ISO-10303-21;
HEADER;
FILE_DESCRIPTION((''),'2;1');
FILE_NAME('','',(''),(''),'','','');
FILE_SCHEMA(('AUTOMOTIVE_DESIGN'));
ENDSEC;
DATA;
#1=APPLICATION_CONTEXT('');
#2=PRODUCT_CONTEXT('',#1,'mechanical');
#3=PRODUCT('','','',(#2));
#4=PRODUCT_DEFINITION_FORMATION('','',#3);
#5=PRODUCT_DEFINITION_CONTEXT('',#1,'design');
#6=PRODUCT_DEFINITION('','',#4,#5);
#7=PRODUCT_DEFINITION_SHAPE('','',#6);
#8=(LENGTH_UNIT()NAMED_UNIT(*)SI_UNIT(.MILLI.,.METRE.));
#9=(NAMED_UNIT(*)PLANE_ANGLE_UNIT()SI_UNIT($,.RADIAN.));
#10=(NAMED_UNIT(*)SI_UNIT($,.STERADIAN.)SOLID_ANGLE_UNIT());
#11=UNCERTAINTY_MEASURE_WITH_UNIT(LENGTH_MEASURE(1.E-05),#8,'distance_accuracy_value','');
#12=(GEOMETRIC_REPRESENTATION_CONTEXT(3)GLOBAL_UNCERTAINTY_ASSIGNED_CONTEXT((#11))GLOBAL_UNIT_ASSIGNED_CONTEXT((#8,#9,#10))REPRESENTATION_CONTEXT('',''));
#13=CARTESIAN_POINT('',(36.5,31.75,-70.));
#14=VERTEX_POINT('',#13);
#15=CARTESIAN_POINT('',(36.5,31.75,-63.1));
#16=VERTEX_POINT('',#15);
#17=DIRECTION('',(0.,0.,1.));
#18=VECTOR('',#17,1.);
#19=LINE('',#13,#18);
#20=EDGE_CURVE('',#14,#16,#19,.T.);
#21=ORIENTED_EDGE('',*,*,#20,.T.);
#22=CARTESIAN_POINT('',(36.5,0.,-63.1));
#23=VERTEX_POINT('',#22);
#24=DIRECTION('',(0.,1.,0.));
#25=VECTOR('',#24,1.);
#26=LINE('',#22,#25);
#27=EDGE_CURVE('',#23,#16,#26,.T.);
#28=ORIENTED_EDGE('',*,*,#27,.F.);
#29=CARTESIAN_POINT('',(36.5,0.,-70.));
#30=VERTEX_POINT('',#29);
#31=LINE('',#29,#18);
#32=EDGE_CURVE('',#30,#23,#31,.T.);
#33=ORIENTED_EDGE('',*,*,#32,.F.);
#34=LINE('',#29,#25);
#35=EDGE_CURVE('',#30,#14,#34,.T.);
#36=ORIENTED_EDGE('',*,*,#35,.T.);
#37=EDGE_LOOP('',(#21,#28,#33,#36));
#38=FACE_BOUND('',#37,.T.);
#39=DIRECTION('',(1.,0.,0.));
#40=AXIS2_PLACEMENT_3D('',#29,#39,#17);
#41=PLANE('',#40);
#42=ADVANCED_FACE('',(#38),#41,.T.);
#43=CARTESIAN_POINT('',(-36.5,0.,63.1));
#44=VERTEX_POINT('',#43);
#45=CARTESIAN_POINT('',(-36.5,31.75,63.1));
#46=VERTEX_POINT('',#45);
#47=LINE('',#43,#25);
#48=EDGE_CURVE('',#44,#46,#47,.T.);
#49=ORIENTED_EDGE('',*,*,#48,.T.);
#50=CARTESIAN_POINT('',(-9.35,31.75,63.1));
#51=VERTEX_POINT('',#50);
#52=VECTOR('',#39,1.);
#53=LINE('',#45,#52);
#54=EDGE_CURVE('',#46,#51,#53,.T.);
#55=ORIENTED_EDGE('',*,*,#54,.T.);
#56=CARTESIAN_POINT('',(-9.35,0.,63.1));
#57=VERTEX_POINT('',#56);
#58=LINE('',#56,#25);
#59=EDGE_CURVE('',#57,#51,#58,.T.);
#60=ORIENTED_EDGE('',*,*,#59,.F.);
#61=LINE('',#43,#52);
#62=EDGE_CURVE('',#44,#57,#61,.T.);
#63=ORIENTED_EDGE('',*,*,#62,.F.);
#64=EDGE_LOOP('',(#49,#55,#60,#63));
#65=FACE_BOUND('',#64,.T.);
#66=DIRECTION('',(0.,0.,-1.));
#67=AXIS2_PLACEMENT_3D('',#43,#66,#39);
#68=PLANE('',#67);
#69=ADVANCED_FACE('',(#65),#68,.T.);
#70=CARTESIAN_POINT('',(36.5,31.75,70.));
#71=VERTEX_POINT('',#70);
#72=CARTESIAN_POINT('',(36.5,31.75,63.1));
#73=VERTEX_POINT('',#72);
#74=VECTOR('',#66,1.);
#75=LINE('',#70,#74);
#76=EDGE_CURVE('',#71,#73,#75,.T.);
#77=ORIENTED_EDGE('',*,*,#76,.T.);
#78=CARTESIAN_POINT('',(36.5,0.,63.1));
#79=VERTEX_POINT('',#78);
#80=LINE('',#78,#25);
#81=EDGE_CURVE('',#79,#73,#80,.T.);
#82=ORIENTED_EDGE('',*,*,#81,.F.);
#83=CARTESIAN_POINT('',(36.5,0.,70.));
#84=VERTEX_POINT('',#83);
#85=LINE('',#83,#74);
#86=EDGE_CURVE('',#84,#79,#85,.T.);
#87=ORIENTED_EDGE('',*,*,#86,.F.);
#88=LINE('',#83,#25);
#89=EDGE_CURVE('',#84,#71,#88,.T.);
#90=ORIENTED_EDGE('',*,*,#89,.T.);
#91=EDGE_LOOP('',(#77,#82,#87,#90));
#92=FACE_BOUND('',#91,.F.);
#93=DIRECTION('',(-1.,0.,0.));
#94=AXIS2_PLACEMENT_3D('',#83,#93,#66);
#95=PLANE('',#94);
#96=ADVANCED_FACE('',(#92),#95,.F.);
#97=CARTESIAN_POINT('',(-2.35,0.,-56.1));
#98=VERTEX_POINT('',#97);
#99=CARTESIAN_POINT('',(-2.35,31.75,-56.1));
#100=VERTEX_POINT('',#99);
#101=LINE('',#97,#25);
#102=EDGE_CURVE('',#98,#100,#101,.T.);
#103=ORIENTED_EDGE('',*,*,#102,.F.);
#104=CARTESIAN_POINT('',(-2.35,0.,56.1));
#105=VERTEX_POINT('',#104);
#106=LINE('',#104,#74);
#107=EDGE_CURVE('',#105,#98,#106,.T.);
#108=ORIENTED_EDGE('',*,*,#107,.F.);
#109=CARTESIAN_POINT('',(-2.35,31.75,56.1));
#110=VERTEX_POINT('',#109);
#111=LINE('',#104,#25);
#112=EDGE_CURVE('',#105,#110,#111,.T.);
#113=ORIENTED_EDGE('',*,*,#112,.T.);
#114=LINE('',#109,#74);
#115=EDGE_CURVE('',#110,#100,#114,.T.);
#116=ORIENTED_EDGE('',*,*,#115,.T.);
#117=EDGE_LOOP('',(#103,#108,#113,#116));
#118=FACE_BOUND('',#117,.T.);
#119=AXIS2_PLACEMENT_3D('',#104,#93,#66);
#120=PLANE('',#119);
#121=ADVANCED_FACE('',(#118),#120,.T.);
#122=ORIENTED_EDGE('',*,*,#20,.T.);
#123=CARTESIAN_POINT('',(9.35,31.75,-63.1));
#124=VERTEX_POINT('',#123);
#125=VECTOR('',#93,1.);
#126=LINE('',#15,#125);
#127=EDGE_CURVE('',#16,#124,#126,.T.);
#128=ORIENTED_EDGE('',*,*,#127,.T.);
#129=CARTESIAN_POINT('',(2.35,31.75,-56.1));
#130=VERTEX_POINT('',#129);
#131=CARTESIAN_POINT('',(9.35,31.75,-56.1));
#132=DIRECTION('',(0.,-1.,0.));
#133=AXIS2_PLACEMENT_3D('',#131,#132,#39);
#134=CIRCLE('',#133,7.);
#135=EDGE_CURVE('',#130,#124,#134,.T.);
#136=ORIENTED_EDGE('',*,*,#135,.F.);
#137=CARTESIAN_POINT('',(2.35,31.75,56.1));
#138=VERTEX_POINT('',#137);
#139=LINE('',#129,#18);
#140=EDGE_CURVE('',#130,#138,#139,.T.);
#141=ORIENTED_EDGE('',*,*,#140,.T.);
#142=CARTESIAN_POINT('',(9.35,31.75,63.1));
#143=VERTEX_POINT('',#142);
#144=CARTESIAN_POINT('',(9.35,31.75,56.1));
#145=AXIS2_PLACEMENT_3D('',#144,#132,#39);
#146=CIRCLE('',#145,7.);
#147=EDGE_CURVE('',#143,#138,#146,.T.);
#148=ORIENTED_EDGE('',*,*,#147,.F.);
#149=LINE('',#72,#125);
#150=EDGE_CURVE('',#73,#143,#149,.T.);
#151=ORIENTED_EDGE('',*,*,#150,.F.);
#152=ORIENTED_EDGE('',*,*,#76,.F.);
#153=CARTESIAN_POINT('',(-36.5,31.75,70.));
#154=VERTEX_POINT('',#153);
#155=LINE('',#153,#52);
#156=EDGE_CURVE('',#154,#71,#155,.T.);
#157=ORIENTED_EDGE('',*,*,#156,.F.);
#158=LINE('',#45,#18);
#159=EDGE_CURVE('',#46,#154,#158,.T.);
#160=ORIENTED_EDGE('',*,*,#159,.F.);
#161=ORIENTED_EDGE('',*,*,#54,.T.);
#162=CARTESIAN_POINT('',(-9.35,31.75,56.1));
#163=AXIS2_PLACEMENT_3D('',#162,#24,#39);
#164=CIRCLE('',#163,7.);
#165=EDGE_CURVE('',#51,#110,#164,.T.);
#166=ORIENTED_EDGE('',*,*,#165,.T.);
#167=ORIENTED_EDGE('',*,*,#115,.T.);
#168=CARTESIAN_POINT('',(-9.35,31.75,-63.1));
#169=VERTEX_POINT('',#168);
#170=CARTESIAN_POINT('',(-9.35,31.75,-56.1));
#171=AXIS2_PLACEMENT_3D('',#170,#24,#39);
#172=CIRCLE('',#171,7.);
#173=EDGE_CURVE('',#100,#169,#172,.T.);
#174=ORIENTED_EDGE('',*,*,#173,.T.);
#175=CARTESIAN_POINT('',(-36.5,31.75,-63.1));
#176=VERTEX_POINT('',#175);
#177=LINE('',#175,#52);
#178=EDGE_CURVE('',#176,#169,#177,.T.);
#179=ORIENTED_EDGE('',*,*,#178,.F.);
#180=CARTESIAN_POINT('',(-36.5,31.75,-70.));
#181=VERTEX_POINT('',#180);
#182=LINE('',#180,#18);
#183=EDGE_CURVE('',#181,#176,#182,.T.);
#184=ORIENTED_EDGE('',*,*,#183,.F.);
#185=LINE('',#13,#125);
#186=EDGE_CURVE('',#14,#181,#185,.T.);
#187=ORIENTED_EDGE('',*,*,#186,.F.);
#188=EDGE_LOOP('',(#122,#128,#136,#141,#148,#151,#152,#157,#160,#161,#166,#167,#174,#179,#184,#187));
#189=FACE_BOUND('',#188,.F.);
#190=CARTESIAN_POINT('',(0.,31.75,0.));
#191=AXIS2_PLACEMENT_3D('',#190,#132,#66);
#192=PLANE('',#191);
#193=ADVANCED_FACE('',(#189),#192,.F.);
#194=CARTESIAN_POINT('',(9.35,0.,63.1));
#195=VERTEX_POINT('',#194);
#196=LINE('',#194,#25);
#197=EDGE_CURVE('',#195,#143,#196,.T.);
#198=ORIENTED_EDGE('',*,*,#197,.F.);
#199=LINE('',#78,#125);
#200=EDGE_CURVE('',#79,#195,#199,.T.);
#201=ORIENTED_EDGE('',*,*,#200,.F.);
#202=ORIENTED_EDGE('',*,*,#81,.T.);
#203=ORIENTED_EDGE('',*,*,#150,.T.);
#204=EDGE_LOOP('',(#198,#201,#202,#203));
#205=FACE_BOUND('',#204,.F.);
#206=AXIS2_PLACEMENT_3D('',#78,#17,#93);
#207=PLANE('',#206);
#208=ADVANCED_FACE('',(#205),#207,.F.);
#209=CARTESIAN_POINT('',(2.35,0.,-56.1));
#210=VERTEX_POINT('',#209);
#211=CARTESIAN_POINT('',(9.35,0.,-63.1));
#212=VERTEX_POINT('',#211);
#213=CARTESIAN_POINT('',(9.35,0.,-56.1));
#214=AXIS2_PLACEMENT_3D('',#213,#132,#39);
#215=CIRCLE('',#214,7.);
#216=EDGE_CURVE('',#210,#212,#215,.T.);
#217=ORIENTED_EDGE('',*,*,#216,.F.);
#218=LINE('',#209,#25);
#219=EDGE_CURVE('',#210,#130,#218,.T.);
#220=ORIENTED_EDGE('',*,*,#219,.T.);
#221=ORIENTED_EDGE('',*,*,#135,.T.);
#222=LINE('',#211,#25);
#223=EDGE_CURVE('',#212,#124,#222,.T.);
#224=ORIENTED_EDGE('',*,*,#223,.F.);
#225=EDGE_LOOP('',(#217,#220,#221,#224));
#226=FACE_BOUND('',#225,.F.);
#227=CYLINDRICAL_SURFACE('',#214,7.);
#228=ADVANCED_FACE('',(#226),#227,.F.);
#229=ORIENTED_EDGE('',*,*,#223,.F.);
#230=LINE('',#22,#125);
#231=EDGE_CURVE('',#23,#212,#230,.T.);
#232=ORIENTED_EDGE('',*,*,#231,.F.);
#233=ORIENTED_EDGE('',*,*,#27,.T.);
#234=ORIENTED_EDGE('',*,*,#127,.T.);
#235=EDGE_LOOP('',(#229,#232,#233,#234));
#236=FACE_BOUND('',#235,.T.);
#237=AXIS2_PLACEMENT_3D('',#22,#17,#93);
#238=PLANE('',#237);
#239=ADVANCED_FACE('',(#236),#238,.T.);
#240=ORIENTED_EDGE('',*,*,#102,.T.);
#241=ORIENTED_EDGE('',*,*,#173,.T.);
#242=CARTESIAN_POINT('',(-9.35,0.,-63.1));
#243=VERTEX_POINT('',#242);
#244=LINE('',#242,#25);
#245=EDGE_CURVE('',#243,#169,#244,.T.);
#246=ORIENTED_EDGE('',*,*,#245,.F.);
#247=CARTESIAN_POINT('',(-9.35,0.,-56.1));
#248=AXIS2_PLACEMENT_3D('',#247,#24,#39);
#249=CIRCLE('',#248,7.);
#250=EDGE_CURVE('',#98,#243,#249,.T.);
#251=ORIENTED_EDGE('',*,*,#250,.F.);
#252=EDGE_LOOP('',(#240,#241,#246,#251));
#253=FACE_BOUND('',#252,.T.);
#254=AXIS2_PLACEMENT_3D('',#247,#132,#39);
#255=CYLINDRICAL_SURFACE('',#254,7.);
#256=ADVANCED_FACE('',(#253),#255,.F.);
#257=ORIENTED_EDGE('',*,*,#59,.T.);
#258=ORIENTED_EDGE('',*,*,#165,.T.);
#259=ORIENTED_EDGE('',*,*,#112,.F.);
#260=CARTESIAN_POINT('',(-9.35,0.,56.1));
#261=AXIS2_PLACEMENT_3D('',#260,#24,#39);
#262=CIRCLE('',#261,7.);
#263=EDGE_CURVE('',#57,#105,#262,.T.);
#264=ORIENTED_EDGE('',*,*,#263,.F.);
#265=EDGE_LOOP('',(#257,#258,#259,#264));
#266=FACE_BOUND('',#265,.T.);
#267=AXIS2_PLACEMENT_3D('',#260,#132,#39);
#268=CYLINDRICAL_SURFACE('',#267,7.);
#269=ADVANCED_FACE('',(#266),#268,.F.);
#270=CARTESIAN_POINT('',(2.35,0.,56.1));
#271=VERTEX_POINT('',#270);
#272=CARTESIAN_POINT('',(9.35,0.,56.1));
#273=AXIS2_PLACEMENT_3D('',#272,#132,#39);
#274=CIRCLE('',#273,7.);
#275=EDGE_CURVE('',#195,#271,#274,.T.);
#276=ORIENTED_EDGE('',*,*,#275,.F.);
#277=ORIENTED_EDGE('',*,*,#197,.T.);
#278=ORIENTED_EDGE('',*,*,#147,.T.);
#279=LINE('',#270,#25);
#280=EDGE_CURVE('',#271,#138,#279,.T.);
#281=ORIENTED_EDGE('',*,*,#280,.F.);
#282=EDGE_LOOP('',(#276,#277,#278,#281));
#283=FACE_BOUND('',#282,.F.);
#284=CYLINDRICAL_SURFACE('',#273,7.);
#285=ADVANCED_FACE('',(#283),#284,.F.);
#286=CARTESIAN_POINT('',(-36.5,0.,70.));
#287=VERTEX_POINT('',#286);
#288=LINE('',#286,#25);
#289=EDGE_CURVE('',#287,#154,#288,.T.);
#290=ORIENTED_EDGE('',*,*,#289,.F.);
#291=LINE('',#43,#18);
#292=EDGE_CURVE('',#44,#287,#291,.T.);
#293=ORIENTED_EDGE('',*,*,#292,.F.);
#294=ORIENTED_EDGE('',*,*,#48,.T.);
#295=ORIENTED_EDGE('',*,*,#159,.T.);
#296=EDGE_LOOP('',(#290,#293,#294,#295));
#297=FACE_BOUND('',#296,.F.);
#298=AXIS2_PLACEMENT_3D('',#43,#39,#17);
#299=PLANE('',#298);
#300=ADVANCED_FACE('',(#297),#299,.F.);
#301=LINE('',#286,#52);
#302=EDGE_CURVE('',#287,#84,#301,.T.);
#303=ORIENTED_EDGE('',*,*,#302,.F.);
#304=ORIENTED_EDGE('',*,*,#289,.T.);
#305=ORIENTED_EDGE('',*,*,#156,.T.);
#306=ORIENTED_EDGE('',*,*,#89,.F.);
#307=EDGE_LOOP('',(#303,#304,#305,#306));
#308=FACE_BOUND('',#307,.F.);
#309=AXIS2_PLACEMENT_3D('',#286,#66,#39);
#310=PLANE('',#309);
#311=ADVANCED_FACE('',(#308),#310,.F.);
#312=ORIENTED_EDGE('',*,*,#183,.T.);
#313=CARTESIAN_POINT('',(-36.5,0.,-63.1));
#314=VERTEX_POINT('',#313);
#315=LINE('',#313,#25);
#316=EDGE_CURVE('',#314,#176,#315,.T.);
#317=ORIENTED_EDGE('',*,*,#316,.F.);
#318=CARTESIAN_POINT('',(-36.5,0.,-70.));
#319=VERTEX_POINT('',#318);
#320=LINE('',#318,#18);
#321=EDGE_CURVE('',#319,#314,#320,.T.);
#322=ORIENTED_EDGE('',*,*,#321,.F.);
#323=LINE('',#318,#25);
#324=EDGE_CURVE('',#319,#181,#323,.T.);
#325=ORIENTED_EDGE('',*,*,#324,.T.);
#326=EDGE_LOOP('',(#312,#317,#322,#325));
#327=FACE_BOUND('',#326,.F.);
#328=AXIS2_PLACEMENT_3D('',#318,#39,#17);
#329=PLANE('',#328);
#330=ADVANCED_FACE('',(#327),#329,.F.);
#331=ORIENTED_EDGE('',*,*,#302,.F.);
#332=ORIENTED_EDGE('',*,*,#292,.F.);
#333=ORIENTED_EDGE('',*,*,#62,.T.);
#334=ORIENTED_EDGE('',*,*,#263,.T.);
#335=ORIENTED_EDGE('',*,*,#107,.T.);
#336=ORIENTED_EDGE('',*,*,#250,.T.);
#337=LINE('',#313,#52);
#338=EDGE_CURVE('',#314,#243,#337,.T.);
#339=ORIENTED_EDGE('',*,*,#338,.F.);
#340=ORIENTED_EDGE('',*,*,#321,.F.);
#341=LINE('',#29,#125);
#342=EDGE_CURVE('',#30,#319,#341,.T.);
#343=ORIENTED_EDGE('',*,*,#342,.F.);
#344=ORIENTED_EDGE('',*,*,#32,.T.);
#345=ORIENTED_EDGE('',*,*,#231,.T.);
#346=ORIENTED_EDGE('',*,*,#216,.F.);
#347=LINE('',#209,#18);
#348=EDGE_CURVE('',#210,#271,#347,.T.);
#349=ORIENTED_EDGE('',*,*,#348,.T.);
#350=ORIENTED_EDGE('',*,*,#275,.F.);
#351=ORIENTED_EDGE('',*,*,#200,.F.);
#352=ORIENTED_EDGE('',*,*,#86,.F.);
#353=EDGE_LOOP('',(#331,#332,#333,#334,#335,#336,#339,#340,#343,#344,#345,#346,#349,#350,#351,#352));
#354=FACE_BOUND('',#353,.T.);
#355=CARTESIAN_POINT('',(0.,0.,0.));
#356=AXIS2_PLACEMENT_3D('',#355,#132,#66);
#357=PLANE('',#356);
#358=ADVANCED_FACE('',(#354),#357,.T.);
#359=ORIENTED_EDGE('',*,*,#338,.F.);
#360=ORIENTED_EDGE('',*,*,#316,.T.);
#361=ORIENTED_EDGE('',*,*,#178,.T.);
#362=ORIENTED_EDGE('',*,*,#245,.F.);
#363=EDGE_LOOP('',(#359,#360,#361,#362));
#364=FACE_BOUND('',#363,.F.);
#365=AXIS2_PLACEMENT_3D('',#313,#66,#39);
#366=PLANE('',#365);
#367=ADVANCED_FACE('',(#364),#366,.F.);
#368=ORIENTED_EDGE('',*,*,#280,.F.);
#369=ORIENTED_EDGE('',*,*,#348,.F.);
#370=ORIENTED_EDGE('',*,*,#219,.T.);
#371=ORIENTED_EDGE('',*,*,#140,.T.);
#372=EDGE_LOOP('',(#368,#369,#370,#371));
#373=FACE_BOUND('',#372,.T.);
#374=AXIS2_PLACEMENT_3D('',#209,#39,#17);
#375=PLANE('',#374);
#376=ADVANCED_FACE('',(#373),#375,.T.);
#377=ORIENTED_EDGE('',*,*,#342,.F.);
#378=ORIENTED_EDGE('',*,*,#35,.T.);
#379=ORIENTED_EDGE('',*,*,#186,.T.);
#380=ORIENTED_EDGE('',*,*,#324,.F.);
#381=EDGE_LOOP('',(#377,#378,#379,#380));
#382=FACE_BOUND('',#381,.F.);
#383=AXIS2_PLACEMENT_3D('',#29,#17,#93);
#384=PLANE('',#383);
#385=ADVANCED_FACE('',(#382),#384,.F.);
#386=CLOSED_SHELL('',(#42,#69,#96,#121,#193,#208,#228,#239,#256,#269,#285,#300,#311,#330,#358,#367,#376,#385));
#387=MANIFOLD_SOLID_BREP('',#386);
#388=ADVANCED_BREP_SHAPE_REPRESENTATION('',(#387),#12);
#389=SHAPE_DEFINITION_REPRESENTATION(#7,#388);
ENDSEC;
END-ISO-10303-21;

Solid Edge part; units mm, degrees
sketch "Sketch1" plane through (0, 0, 0) normal (0, -1, 0) x (1, 0, 0)
  line L0 (-2.35, 56.1) -> (-2.35, -56.1)
  arc A0 (-2.35, -56.1) -> (-9.35, -63.1) centre (-9.35, -56.1) cw
  line L1 (-36.5, -63.1) -> (-9.35, -63.1)
  line L2 (-36.5, -70) -> (-36.5, -63.1)
  line L3 (36.5, -70) -> (-36.5, -70)
  line L4 (36.5, -70) -> (36.5, -63.1)
  line L5 (36.5, -63.1) -> (9.35, -63.1)
  arc A1 (2.35, -56.1) -> (9.35, -63.1) centre (9.35, -56.1) ccw
  line L6 (2.35, -56.1) -> (2.35, 56.1)
  arc A2 (9.35, 63.1) -> (2.35, 56.1) centre (9.35, 56.1) ccw
  line L7 (36.5, 63.1) -> (9.35, 63.1)
  line L8 (36.5, 70) -> (36.5, 63.1)
  line L9 (-36.5, 70) -> (36.5, 70)
  line L10 (-36.5, 63.1) -> (-36.5, 70)
  line L11 (-36.5, 63.1) -> (-9.35, 63.1)
  arc A3 (-9.35, 63.1) -> (-2.35, 56.1) centre (-9.35, 56.1) cw
  dimension "D1" = 36.5
  dimension "D2" = 36.5
extrude "Protrusion1" add sketch "Sketch1" against normal blind 31.75
